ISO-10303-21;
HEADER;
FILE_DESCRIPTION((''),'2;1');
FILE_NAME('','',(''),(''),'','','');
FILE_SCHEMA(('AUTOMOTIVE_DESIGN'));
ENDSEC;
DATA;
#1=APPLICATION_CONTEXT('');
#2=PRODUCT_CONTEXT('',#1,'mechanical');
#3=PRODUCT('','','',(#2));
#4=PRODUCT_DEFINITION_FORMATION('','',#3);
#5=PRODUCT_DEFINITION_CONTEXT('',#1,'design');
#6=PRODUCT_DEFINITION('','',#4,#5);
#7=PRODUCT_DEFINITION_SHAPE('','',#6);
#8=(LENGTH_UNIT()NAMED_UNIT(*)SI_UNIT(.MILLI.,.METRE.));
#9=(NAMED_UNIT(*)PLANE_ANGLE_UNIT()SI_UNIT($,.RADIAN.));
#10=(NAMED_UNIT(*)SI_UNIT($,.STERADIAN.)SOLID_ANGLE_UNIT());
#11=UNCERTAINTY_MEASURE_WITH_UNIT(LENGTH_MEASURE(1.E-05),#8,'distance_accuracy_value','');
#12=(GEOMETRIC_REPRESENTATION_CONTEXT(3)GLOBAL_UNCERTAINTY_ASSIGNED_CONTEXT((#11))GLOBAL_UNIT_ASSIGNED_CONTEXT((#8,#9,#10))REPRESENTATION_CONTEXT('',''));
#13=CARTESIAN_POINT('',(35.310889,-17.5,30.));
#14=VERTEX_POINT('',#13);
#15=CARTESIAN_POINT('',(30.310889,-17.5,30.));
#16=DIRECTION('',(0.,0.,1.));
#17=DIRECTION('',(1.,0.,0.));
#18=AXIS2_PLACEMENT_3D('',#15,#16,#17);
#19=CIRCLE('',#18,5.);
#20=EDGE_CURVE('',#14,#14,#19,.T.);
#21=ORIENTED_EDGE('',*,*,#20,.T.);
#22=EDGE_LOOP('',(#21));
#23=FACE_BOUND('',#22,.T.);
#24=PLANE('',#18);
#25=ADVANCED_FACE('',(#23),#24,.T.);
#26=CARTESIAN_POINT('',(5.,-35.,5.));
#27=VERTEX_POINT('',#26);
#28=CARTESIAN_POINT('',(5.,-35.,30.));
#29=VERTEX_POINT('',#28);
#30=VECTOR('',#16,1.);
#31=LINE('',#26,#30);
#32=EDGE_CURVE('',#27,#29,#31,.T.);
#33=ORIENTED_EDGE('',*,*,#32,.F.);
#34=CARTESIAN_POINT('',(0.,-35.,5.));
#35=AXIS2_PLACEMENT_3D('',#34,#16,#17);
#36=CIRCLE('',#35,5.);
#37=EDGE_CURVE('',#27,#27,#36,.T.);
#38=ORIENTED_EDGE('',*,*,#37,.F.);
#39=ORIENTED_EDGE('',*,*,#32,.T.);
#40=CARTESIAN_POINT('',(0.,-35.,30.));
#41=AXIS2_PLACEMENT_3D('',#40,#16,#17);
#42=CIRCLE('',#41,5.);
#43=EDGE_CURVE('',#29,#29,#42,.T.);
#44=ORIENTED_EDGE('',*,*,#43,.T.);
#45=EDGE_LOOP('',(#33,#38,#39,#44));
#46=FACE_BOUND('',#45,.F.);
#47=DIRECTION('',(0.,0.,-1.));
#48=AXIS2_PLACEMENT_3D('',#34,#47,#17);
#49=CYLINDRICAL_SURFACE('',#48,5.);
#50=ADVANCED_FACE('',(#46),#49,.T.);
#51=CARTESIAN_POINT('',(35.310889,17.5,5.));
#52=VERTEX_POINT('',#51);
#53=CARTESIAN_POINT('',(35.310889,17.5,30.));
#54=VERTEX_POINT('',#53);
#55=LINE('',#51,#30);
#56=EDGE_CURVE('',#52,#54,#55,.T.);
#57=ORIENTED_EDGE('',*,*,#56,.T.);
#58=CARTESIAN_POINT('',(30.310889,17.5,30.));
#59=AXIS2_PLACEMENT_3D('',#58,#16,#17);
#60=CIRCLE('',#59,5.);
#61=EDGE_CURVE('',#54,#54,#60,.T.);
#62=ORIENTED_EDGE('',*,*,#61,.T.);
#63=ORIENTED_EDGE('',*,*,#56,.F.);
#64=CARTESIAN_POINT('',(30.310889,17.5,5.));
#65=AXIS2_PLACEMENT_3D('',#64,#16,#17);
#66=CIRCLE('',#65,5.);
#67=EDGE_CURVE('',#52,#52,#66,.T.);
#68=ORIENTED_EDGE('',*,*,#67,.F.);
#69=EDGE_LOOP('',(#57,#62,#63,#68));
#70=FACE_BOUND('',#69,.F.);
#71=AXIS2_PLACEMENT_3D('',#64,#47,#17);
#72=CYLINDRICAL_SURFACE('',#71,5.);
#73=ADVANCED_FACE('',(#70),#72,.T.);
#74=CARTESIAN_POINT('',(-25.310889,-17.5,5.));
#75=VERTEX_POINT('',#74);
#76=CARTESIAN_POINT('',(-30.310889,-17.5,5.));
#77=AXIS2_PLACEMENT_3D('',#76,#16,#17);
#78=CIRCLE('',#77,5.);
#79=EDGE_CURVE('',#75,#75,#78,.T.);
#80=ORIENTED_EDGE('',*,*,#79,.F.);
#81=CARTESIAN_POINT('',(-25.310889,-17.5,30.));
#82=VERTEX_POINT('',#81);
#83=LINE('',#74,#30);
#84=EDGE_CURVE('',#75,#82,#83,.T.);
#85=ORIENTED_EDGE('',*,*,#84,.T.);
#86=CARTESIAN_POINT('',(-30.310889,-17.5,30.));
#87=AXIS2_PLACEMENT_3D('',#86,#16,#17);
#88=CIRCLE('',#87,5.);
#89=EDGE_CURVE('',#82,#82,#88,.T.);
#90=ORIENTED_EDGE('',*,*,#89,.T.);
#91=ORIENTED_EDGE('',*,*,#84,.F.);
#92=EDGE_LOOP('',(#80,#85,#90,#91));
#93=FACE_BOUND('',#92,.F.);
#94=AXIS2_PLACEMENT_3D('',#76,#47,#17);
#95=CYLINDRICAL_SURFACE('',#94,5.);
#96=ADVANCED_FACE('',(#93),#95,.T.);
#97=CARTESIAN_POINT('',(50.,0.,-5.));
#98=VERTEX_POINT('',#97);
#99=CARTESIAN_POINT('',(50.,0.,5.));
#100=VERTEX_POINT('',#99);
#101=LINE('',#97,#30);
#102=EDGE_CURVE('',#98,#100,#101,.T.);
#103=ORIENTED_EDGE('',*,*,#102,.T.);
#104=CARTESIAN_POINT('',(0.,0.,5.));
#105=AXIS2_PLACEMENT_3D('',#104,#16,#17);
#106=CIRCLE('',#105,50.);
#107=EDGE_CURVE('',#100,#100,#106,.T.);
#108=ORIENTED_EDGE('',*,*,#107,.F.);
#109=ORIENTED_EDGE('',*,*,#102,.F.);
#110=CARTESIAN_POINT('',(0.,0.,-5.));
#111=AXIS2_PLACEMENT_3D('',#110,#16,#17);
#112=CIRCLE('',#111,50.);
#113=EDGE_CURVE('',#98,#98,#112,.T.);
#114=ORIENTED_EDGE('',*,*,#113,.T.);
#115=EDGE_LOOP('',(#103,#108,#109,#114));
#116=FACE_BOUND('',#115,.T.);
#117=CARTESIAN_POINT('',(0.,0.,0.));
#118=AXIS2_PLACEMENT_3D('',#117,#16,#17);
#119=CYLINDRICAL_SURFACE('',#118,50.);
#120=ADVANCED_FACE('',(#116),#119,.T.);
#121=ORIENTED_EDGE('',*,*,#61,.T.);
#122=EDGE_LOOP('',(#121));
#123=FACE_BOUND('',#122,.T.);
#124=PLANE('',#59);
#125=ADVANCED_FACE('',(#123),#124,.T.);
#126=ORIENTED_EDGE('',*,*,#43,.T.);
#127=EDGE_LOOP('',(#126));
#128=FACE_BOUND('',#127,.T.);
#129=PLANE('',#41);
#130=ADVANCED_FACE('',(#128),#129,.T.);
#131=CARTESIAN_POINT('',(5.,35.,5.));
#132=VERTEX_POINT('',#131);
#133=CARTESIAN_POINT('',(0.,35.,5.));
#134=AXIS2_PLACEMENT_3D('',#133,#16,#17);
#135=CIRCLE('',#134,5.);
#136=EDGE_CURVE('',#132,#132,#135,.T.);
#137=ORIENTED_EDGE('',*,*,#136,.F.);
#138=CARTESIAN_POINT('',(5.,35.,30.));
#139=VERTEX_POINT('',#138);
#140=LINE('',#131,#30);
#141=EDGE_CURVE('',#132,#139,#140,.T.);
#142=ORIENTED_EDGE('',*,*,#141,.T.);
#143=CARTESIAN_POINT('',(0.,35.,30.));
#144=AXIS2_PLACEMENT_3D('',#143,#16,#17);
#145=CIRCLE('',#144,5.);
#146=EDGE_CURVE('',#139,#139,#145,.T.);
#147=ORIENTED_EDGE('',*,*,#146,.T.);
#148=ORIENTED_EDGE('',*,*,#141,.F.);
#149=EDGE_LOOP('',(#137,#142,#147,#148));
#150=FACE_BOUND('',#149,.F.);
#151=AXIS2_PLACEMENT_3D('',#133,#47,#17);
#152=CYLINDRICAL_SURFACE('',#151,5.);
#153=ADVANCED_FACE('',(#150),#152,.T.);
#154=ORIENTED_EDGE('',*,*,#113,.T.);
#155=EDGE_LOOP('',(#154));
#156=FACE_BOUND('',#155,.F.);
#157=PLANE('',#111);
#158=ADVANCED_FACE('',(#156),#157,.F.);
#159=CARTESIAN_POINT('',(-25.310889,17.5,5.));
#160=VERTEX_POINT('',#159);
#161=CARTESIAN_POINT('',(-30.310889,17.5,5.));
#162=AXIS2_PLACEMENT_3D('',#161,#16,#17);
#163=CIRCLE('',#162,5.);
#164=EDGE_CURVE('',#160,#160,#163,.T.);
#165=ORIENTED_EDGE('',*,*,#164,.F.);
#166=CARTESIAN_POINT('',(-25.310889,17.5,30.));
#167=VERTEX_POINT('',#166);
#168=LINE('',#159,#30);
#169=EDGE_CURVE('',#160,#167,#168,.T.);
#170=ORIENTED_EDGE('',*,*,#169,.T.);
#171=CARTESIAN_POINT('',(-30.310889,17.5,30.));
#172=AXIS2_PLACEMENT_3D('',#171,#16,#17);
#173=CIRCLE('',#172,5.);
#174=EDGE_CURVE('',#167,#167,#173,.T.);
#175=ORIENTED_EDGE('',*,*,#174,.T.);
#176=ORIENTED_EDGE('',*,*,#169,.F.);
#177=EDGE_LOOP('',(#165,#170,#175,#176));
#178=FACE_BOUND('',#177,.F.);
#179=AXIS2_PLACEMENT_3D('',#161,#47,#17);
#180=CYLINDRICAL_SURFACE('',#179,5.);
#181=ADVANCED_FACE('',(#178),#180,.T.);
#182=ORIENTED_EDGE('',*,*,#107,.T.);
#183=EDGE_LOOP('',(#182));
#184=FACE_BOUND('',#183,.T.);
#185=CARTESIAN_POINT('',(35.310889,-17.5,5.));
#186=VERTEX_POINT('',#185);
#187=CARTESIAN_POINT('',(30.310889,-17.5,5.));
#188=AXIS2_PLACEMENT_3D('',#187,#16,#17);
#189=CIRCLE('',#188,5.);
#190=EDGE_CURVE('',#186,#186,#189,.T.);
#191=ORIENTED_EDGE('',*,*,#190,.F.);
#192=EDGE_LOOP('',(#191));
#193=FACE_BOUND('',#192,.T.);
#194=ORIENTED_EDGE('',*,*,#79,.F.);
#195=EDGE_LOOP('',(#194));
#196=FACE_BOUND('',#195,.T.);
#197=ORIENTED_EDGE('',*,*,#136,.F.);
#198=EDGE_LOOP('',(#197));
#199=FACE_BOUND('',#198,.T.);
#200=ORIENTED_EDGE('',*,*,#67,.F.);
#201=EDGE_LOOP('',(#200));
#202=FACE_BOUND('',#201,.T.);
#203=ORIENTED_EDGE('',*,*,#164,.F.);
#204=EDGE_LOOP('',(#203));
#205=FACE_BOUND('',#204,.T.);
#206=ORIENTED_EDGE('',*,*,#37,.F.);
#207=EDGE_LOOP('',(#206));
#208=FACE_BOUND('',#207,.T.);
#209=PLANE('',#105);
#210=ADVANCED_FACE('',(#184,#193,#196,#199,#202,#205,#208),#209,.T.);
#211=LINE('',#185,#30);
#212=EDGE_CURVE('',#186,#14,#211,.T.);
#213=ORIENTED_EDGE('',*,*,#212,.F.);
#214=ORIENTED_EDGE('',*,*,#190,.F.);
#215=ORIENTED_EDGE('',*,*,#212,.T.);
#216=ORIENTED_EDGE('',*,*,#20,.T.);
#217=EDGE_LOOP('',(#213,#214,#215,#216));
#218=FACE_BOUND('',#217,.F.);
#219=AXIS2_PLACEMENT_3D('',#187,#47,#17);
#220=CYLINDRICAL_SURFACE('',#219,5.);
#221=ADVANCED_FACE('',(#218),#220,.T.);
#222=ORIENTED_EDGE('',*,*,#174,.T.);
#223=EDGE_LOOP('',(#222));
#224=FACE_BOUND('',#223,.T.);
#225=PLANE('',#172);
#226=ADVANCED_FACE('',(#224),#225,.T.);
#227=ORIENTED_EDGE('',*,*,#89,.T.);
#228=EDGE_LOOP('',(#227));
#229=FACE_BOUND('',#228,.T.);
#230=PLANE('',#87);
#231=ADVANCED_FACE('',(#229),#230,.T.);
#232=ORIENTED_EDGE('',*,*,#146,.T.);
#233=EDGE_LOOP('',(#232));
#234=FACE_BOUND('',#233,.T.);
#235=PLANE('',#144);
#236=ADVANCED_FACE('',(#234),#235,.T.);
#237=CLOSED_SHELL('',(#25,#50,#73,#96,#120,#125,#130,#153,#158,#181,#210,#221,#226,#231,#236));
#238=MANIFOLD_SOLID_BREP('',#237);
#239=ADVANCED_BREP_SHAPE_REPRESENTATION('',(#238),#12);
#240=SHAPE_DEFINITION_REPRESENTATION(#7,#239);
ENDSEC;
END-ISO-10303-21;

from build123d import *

# Parameters (mm, degrees)
F0_R     = 50
F1_DEPTH = 5
F2_R     = 5
F3_DEPTH = 25


with BuildPart() as f1:
    # F0 (on Top) → F1 (new body, symmetric)
    with BuildSketch(Plane.XY):
        Circle(F0_R)
    extrude(amount=F1_DEPTH, both=True)

    # F2 (on face) → F3 (join)
    with BuildSketch(Plane.XY.offset(5)):
        with Locations((0, 35)):
            Circle(F2_R)
        with Locations((-30.310889, 17.5)):
            Circle(F2_R)
        with Locations((-30.310889, -17.5)):
            Circle(F2_R)
        with Locations((0, -35)):
            Circle(F2_R)
        with Locations((30.310889, -17.5)):
            Circle(F2_R)
        with Locations((30.310889, 17.5)):
            Circle(F2_R)
    extrude(amount=F3_DEPTH)


solid = f1.part
